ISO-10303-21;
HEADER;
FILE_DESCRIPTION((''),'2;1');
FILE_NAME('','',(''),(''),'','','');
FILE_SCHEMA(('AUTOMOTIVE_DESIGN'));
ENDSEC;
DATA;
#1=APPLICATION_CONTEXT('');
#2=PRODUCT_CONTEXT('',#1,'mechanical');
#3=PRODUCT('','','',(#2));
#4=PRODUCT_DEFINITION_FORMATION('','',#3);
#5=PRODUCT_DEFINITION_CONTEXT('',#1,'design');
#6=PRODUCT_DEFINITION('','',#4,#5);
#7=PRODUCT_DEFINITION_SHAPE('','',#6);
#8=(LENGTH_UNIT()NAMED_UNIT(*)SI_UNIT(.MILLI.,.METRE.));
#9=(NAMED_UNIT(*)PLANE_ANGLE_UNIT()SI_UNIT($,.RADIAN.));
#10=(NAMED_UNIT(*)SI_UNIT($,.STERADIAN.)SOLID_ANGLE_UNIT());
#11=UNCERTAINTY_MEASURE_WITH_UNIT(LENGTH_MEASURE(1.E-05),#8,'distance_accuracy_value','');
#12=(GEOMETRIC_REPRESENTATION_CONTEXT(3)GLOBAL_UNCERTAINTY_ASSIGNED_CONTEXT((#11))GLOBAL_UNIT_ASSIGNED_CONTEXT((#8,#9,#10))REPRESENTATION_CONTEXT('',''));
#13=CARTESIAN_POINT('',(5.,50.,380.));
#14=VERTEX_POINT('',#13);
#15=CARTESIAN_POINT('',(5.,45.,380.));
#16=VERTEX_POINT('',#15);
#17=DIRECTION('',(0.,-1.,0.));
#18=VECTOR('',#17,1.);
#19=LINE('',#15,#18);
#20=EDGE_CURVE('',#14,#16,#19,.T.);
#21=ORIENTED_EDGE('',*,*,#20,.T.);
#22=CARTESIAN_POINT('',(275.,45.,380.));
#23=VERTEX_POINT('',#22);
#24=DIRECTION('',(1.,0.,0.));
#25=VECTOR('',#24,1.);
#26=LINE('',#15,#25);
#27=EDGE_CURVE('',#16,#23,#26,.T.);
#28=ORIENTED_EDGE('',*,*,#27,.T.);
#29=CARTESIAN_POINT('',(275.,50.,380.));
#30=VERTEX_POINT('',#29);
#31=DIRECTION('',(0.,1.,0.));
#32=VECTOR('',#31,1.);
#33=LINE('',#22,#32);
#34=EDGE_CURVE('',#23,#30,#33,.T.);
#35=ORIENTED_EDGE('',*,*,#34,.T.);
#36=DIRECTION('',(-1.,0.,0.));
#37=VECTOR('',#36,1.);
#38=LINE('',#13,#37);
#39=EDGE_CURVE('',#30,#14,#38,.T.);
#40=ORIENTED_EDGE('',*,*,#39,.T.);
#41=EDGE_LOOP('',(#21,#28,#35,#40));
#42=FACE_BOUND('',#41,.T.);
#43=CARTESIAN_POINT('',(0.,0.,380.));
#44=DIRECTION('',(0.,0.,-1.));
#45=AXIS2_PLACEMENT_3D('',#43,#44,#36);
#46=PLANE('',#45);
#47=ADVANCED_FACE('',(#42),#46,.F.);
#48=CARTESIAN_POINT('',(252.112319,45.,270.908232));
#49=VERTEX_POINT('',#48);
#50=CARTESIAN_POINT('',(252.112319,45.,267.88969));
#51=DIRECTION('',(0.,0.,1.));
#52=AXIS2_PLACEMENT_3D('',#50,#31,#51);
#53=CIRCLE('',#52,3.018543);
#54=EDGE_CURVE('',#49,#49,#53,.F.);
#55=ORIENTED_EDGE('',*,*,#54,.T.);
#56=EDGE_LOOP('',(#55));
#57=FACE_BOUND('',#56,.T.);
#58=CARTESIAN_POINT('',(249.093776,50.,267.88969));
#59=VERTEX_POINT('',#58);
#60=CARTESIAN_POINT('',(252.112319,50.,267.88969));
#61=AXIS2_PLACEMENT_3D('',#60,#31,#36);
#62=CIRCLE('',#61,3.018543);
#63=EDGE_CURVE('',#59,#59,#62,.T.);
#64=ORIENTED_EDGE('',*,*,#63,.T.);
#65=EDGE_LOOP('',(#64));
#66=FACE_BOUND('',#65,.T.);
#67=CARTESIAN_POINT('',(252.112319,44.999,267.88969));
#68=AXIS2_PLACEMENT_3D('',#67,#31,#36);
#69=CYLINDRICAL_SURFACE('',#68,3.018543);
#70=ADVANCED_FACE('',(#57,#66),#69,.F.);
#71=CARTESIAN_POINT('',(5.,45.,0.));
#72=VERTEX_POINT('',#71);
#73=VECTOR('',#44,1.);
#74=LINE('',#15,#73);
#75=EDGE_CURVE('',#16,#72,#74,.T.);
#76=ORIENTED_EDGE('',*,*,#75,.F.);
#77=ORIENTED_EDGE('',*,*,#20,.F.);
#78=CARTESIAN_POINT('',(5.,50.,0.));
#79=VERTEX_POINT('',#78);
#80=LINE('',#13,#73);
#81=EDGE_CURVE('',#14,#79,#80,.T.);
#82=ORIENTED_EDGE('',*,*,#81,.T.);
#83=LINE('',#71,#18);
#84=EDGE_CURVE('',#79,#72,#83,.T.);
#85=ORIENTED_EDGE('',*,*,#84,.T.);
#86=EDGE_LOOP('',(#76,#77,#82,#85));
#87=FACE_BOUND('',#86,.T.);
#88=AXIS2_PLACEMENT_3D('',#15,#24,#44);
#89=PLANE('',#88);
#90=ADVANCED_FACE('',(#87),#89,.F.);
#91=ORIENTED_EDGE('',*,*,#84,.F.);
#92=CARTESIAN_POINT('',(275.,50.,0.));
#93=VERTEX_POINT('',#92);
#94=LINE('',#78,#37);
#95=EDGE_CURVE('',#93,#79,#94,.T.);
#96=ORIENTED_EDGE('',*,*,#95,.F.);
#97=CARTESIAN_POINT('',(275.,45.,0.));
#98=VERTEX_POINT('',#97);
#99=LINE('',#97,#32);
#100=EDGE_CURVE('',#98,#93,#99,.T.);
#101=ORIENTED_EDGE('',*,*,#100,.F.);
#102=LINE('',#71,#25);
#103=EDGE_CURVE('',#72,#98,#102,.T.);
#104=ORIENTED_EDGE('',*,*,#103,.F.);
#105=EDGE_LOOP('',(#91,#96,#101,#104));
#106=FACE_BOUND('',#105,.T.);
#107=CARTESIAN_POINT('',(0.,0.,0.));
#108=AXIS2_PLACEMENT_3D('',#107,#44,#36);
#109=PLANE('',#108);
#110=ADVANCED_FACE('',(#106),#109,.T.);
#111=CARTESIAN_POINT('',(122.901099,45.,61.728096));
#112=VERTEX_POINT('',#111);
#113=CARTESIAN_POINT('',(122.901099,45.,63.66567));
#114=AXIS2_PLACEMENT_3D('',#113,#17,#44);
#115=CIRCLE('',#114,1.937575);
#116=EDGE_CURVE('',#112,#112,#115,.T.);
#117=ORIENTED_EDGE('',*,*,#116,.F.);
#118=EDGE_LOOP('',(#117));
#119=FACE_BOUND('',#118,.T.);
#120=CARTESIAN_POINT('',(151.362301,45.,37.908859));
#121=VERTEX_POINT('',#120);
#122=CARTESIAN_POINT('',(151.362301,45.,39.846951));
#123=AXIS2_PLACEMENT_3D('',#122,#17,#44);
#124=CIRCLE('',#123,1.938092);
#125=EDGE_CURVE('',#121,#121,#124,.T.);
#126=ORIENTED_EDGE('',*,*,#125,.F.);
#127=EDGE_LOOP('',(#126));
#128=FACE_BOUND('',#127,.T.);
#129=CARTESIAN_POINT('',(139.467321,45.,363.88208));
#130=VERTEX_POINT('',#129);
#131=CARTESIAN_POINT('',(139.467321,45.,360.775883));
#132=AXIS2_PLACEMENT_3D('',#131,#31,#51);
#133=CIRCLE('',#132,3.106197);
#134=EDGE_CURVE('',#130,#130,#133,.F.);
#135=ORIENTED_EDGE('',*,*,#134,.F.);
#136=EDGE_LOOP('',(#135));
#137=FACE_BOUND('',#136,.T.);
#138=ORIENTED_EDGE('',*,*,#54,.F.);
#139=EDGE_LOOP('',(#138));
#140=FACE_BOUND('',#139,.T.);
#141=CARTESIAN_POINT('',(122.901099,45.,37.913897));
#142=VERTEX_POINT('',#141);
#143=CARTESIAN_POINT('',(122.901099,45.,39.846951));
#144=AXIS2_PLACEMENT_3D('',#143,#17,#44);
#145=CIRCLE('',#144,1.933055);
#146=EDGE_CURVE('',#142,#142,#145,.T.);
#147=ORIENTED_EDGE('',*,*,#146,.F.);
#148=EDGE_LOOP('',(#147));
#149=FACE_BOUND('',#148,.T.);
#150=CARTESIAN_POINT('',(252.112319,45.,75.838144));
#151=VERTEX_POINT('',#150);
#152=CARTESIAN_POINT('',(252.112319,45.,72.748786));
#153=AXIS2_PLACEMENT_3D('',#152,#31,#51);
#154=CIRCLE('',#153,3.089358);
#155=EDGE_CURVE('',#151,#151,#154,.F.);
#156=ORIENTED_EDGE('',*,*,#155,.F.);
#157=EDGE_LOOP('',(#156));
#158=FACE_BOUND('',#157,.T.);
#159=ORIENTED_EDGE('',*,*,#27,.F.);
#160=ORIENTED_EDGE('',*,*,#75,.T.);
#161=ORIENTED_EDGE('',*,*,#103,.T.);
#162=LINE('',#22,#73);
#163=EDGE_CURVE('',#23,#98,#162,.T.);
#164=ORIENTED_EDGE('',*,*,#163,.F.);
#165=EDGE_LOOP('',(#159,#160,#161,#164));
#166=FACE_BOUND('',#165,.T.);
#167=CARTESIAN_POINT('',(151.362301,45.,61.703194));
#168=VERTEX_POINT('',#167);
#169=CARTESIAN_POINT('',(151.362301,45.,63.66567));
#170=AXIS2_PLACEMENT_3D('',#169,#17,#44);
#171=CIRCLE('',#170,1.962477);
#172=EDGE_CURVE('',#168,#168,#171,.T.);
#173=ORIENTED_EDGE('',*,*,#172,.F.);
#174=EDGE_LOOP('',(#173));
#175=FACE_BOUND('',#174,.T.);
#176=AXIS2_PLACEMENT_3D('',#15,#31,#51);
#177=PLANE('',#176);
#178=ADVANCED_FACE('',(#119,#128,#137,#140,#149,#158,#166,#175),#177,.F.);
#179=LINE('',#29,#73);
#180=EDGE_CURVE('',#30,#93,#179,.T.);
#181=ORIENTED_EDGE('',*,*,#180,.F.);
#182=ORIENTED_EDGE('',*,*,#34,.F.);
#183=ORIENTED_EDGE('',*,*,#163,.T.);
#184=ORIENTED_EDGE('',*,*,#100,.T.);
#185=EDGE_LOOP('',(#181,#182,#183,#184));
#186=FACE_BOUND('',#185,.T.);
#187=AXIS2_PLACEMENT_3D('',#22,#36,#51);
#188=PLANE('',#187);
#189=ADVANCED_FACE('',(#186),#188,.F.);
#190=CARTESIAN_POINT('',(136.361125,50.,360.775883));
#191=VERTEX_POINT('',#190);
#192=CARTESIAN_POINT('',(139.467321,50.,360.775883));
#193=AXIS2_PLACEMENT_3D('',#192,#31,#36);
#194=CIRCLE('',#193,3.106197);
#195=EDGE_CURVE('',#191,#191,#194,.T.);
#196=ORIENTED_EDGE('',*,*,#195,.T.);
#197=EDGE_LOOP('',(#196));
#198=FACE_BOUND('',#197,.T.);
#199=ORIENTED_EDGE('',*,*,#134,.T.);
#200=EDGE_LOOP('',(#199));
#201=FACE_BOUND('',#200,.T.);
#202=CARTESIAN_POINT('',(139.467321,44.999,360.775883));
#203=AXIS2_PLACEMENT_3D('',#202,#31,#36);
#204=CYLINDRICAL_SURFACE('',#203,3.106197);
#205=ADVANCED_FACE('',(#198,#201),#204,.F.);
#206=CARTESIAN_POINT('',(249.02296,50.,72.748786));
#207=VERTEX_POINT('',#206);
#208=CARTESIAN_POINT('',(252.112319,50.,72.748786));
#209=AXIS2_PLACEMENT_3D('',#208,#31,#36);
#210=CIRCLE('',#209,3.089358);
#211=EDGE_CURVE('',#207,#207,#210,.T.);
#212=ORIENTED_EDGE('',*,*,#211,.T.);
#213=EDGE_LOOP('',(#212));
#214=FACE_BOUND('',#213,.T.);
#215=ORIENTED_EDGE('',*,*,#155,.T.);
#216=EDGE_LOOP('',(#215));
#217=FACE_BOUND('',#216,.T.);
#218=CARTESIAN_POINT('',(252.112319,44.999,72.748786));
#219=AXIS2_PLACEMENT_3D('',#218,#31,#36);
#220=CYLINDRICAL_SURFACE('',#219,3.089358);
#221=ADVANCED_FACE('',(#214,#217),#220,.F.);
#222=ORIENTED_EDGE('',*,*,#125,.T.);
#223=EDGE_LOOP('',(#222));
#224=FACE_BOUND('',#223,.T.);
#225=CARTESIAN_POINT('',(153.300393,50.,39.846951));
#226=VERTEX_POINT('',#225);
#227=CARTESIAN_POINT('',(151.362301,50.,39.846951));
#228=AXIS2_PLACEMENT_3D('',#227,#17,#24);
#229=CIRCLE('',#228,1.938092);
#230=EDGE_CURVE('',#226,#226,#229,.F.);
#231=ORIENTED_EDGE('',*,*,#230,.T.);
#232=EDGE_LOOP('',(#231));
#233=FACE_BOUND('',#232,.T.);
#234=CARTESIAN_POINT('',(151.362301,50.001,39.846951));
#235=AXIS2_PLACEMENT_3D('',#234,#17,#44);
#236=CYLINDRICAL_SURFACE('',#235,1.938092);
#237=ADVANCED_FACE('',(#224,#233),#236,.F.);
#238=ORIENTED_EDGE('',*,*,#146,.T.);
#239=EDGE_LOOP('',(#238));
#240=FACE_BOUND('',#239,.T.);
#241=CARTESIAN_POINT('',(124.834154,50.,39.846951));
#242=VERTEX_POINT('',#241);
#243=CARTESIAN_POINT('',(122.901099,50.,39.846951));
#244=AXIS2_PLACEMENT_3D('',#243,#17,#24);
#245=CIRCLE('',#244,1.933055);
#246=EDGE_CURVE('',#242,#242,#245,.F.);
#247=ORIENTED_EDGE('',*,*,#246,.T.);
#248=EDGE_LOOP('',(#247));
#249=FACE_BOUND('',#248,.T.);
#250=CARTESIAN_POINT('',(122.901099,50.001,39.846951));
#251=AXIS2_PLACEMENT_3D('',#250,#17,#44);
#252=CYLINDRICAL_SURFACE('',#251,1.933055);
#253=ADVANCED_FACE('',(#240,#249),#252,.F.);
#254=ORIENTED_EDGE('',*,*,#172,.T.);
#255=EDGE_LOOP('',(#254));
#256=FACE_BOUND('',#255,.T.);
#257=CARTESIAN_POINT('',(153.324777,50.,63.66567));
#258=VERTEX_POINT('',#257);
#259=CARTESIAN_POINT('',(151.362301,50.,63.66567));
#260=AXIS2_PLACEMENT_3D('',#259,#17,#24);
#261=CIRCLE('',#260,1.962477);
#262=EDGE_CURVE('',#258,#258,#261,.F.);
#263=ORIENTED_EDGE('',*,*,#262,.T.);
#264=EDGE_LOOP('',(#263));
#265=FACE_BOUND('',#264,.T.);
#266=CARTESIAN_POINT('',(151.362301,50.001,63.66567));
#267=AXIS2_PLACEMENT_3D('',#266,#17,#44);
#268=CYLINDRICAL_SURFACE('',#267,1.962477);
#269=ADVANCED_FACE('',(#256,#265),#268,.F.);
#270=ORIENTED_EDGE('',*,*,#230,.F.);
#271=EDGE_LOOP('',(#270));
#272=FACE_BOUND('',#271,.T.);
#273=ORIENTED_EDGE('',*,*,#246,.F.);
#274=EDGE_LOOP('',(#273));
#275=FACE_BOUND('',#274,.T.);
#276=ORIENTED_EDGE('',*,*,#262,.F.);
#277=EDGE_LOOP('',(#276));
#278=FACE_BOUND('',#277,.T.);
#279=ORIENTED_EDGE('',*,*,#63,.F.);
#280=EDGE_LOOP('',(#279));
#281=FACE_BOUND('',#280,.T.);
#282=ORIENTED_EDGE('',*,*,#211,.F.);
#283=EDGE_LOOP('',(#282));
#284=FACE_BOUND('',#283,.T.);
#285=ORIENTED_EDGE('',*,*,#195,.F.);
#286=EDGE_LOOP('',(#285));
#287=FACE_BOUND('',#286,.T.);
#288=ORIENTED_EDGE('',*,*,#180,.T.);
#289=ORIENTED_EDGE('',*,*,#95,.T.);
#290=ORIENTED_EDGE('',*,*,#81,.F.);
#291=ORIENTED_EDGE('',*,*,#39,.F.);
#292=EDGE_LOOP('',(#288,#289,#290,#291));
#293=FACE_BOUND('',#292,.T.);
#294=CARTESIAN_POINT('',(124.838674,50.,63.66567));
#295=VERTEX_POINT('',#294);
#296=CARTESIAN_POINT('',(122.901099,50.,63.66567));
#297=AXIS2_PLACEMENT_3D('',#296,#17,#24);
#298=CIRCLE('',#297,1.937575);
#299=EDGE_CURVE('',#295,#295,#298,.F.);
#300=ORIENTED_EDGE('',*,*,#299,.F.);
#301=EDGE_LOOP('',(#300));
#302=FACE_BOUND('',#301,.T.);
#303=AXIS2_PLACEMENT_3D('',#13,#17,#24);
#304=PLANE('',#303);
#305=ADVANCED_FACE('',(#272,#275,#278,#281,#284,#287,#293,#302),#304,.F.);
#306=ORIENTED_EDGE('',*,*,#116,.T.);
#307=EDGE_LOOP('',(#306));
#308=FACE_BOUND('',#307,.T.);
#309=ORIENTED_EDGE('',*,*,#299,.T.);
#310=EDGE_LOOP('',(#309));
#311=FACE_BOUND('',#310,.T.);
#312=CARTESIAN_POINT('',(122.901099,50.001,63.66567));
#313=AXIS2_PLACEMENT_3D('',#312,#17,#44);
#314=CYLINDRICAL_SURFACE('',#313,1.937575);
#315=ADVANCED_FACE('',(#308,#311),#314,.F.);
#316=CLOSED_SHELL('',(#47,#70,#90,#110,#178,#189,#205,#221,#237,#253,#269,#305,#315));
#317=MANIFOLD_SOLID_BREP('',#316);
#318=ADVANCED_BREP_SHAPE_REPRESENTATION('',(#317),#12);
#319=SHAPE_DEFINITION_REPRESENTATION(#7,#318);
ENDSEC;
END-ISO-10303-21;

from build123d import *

# Parameters (mm, degrees)
SKETCH1_W           = 270
SKETCH1_H           = 5
BOSS_EXTRUDE1_DEPTH = 380
CUT_EXTRUDE1_REACH  = 471.095
SKETCH6_R           = 1.93305462
SKETCH6_R_2         = 1.937574749
SKETCH6_R_3         = 1.938092279
SKETCH6_R_4         = 1.962476596
CUT_EXTRUDE2_REACH  = 471.095
SKETCH7_R           = 3.018542897
SKETCH7_R_2         = 3.089358341
SKETCH7_R_3         = 3.106196555


with BuildPart() as part:
    # Sketch1 → Boss-Extrude1 (new body)
    with BuildSketch(Plane.XY):
        with Locations((140, 47.5)):
            Rectangle(SKETCH1_W, SKETCH1_H)
    extrude(amount=BOSS_EXTRUDE1_DEPTH)

    # Sketch6 → Cut-Extrude1 (cut, up to next)
    with BuildSketch(Plane.XZ.offset(-45), mode=Mode.PRIVATE) as cut_extrude1_sk1:
        with Locations(Location((122.901099302, 39.846951351, 0), (0, 0, 270))):
            Circle(SKETCH6_R)
    cut_extrude1_tool1 = extrude(cut_extrude1_sk1.sketch, amount=-CUT_EXTRUDE1_REACH, mode=Mode.PRIVATE) & part.part
    # Sketch6 → Cut-Extrude1 (cut, up to next)
    with BuildSketch(Plane.XZ.offset(-45), mode=Mode.PRIVATE) as cut_extrude1_sk2:
        with Locations(Location((122.901099302, 63.66567027, 0), (0, 0, 270))):
            Circle(SKETCH6_R_2)
    cut_extrude1_tool2 = extrude(cut_extrude1_sk2.sketch, amount=-CUT_EXTRUDE1_REACH, mode=Mode.PRIVATE) & part.part
    # Sketch6 → Cut-Extrude1 (cut, up to next)
    with BuildSketch(Plane.XZ.offset(-45), mode=Mode.PRIVATE) as cut_extrude1_sk3:
        with Locations(Location((151.362300698, 39.846951351, 0), (0, 0, 270))):
            Circle(SKETCH6_R_3)
    cut_extrude1_tool3 = extrude(cut_extrude1_sk3.sketch, amount=-CUT_EXTRUDE1_REACH, mode=Mode.PRIVATE) & part.part
    # Sketch6 → Cut-Extrude1 (cut, up to next)
    with BuildSketch(Plane.XZ.offset(-45), mode=Mode.PRIVATE) as cut_extrude1_sk4:
        with Locations(Location((151.362300698, 63.66567027, 0), (0, 0, 270))):
            Circle(SKETCH6_R_4)
    cut_extrude1_tool4 = extrude(cut_extrude1_sk4.sketch, amount=-CUT_EXTRUDE1_REACH, mode=Mode.PRIVATE) & part.part
    add(cut_extrude1_tool1.solids().sort_by_distance((122.901099, 45, 39.846951))[0], mode=Mode.SUBTRACT)
    add(cut_extrude1_tool2.solids().sort_by_distance((122.901099, 45, 63.66567))[0], mode=Mode.SUBTRACT)
    add(cut_extrude1_tool3.solids().sort_by_distance((151.362301, 45, 39.846951))[0], mode=Mode.SUBTRACT)
    add(cut_extrude1_tool4.solids().sort_by_distance((151.362301, 45, 63.66567))[0], mode=Mode.SUBTRACT)

    # Sketch7 → Cut-Extrude2 (cut, up to next)
    with BuildSketch(Plane(origin=(0, 50, 0), x_dir=(1, 0, 0), z_dir=(0, 1, 0)), mode=Mode.PRIVATE) as cut_extrude2_sk1:
        with Locations(Location((252.112318831, -267.889689572, 0), (0, 0, 180))):
            Circle(SKETCH7_R)
    cut_extrude2_tool1 = extrude(cut_extrude2_sk1.sketch, amount=-CUT_EXTRUDE2_REACH, mode=Mode.PRIVATE) & part.part
    # Sketch7 → Cut-Extrude2 (cut, up to next)
    with BuildSketch(Plane(origin=(0, 50, 0), x_dir=(1, 0, 0), z_dir=(0, 1, 0)), mode=Mode.PRIVATE) as cut_extrude2_sk2:
        with Locations(Location((252.112318831, -72.748786013, 0), (0, 0, 180))):
            Circle(SKETCH7_R_2)
    cut_extrude2_tool2 = extrude(cut_extrude2_sk2.sketch, amount=-CUT_EXTRUDE2_REACH, mode=Mode.PRIVATE) & part.part
    # Sketch7 → Cut-Extrude2 (cut, up to next)
    with BuildSketch(Plane(origin=(0, 50, 0), x_dir=(1, 0, 0), z_dir=(0, 1, 0)), mode=Mode.PRIVATE) as cut_extrude2_sk3:
        with Locations(Location((139.467321486, -360.775883093, 0), (0, 0, 180))):
            Circle(SKETCH7_R_3)
    cut_extrude2_tool3 = extrude(cut_extrude2_sk3.sketch, amount=-CUT_EXTRUDE2_REACH, mode=Mode.PRIVATE) & part.part
    add(cut_extrude2_tool1.solids().sort_by_distance((252.112319, 50, 267.88969))[0], mode=Mode.SUBTRACT)
    add(cut_extrude2_tool2.solids().sort_by_distance((252.112319, 50, 72.748786))[0], mode=Mode.SUBTRACT)
    add(cut_extrude2_tool3.solids().sort_by_distance((139.467321, 50, 360.775883))[0], mode=Mode.SUBTRACT)


solid = part.part
